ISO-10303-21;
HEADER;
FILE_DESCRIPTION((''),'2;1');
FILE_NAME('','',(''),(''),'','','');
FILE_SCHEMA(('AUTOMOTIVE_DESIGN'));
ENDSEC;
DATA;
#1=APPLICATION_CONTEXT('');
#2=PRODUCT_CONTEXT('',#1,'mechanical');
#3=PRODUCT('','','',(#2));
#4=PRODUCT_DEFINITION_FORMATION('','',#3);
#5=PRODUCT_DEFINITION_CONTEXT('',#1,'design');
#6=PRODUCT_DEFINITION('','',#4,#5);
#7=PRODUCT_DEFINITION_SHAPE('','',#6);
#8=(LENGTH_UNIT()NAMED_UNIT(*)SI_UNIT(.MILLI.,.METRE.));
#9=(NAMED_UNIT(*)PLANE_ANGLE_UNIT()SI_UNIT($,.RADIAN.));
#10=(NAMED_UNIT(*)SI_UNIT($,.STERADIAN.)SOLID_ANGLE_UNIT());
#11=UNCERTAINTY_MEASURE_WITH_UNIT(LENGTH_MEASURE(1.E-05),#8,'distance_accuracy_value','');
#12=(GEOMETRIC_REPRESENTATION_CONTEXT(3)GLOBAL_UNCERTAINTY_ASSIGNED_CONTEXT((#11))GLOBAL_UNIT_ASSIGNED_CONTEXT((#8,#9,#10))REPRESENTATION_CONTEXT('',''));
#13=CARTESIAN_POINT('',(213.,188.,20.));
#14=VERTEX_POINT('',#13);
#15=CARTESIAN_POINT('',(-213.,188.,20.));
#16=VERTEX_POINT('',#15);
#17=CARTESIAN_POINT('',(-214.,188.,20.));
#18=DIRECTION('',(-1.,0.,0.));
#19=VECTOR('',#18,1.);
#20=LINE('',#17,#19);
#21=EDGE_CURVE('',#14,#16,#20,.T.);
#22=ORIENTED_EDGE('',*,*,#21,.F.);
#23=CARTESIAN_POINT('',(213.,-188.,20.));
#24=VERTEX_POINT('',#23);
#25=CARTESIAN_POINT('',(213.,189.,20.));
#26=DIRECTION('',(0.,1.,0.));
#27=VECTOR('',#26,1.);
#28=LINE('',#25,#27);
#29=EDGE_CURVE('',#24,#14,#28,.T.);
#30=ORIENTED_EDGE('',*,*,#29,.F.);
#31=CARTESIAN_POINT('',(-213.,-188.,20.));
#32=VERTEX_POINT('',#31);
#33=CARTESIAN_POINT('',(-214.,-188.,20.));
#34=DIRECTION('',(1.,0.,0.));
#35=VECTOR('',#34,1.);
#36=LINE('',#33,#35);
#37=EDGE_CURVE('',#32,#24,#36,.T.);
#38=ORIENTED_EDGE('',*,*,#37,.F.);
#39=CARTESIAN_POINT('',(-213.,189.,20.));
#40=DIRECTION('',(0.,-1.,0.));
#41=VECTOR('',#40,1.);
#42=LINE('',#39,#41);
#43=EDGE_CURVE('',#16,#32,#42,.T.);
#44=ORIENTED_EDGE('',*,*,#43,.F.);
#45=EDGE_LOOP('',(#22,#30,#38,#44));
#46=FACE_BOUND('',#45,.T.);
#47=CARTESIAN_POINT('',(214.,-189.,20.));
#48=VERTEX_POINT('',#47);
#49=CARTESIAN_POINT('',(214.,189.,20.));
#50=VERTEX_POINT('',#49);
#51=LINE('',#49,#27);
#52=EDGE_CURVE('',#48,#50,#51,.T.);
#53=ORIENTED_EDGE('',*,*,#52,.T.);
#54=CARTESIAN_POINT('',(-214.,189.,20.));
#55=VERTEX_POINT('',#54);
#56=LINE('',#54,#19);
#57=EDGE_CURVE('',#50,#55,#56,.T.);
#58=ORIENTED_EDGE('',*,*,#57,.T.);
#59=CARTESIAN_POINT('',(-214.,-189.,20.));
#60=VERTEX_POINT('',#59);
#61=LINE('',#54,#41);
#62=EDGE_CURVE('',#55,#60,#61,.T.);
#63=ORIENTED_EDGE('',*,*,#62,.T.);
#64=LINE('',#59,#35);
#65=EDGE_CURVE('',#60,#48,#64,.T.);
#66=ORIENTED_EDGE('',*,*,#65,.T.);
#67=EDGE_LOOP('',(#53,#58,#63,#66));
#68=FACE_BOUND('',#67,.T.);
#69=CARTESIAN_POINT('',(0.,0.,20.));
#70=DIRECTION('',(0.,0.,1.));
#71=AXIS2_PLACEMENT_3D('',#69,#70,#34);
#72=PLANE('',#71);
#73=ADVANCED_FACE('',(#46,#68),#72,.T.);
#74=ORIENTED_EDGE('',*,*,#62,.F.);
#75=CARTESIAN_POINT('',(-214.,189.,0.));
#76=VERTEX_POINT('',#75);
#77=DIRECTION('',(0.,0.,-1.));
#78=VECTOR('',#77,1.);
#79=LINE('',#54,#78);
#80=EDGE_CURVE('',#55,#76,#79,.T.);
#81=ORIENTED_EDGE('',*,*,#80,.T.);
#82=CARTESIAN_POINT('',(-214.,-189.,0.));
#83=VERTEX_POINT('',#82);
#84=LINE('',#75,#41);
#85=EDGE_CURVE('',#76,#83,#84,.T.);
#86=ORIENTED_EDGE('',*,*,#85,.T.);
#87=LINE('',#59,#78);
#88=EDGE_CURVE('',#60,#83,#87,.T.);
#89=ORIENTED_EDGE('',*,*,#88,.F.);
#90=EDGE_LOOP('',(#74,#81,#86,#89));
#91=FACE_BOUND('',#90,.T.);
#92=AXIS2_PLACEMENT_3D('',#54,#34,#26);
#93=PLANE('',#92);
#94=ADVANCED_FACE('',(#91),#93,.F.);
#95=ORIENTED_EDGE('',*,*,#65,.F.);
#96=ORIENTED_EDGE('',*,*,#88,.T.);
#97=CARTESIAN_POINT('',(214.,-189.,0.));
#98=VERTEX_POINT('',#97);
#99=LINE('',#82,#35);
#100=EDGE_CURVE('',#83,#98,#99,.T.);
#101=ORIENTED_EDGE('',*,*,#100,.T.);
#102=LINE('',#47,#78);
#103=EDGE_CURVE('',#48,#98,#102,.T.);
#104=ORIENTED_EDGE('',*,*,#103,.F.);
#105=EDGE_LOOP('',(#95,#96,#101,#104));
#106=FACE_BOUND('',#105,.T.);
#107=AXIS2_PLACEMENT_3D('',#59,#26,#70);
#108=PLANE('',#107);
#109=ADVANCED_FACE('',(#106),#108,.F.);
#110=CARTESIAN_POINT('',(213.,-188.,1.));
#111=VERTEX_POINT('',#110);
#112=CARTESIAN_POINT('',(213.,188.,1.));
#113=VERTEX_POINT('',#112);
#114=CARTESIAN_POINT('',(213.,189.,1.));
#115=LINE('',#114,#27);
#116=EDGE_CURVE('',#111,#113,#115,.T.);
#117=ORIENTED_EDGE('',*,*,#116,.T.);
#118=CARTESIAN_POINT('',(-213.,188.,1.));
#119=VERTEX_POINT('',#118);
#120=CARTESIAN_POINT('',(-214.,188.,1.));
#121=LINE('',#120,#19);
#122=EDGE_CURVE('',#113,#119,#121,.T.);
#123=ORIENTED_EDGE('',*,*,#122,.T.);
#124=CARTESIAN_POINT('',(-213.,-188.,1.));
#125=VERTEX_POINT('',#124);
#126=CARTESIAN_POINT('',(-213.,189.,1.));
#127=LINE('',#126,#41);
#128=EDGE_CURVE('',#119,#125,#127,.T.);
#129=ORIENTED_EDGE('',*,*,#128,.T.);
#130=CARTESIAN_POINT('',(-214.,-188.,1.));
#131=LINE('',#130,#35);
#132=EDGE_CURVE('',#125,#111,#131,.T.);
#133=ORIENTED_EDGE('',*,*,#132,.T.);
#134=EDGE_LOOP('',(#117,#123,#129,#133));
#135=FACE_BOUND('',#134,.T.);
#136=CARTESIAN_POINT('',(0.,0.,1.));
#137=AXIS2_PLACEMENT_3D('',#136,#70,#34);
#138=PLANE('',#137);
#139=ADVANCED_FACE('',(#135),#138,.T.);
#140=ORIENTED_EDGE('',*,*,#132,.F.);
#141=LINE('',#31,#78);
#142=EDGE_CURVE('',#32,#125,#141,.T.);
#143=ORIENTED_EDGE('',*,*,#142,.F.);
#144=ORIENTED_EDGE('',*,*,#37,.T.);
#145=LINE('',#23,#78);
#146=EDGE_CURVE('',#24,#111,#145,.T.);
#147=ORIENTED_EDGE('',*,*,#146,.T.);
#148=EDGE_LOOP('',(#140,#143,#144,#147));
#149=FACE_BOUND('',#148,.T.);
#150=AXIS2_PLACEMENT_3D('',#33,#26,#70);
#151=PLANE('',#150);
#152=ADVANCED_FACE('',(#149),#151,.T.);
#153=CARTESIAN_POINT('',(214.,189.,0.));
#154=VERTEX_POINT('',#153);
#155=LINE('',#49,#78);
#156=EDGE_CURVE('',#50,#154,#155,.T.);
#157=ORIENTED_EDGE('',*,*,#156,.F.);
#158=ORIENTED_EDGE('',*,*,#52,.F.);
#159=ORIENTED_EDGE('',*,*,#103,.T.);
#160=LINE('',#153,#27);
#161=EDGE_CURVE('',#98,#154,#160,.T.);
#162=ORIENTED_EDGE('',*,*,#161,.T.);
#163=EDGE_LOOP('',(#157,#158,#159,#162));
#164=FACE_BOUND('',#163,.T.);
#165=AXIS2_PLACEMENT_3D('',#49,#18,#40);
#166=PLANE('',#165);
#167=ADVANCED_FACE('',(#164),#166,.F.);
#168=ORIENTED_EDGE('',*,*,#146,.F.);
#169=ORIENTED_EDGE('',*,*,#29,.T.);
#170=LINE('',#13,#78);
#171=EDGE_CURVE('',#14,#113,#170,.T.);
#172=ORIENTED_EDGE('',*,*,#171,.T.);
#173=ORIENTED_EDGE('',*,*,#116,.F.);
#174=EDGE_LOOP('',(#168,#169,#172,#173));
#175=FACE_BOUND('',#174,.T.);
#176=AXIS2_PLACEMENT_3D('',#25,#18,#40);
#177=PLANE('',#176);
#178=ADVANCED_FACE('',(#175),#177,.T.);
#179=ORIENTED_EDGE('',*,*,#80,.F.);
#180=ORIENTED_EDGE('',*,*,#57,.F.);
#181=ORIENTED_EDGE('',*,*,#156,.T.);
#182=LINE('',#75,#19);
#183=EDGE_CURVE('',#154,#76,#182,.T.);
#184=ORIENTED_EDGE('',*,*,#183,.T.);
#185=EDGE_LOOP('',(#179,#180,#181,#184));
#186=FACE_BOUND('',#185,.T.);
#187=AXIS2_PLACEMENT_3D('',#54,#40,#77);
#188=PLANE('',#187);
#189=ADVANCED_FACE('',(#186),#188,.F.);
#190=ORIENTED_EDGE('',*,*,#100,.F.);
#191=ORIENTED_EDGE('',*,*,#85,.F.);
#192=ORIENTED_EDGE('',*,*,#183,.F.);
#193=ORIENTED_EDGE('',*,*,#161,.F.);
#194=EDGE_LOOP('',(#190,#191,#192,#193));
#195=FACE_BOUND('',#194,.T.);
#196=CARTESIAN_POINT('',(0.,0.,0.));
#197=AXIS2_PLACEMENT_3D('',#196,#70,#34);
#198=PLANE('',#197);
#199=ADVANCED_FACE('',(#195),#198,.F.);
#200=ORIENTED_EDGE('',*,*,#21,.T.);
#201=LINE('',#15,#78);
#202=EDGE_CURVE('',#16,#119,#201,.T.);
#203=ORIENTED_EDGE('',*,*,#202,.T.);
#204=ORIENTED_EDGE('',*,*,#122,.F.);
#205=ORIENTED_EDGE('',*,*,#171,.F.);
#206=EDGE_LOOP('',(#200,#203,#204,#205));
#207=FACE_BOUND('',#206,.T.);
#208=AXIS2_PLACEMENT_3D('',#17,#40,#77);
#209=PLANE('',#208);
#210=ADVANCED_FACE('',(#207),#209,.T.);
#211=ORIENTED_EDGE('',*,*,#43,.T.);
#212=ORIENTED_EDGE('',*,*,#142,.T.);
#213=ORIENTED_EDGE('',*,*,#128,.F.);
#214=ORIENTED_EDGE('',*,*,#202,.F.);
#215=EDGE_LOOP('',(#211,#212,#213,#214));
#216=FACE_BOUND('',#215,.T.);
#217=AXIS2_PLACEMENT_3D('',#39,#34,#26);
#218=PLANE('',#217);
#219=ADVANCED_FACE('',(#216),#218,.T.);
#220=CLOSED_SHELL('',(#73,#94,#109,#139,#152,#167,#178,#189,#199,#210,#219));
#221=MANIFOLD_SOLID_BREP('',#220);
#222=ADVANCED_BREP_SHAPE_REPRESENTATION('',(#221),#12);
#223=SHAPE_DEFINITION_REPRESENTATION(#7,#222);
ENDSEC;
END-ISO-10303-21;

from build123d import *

# Parameters (mm, degrees)
SKETCH_1_W      = 428
SKETCH_1_H      = 378
EXTRUDE_1_DEPTH = 20
SHELL_1_T       = -1


with BuildPart() as part:
    # 草图1 → 凸台-拉伸1 (new body)
    with BuildSketch(Plane.XY):
        Rectangle(SKETCH_1_W, SKETCH_1_H)
    extrude(amount=EXTRUDE_1_DEPTH)

    # 抽壳1
    shell_1_openings = [part.faces().sort_by_distance(p)[0] for p in [
        (0, 0, 20),
    ]]
    offset(amount=SHELL_1_T, openings=shell_1_openings, kind=Kind.INTERSECTION)


solid = part.part
